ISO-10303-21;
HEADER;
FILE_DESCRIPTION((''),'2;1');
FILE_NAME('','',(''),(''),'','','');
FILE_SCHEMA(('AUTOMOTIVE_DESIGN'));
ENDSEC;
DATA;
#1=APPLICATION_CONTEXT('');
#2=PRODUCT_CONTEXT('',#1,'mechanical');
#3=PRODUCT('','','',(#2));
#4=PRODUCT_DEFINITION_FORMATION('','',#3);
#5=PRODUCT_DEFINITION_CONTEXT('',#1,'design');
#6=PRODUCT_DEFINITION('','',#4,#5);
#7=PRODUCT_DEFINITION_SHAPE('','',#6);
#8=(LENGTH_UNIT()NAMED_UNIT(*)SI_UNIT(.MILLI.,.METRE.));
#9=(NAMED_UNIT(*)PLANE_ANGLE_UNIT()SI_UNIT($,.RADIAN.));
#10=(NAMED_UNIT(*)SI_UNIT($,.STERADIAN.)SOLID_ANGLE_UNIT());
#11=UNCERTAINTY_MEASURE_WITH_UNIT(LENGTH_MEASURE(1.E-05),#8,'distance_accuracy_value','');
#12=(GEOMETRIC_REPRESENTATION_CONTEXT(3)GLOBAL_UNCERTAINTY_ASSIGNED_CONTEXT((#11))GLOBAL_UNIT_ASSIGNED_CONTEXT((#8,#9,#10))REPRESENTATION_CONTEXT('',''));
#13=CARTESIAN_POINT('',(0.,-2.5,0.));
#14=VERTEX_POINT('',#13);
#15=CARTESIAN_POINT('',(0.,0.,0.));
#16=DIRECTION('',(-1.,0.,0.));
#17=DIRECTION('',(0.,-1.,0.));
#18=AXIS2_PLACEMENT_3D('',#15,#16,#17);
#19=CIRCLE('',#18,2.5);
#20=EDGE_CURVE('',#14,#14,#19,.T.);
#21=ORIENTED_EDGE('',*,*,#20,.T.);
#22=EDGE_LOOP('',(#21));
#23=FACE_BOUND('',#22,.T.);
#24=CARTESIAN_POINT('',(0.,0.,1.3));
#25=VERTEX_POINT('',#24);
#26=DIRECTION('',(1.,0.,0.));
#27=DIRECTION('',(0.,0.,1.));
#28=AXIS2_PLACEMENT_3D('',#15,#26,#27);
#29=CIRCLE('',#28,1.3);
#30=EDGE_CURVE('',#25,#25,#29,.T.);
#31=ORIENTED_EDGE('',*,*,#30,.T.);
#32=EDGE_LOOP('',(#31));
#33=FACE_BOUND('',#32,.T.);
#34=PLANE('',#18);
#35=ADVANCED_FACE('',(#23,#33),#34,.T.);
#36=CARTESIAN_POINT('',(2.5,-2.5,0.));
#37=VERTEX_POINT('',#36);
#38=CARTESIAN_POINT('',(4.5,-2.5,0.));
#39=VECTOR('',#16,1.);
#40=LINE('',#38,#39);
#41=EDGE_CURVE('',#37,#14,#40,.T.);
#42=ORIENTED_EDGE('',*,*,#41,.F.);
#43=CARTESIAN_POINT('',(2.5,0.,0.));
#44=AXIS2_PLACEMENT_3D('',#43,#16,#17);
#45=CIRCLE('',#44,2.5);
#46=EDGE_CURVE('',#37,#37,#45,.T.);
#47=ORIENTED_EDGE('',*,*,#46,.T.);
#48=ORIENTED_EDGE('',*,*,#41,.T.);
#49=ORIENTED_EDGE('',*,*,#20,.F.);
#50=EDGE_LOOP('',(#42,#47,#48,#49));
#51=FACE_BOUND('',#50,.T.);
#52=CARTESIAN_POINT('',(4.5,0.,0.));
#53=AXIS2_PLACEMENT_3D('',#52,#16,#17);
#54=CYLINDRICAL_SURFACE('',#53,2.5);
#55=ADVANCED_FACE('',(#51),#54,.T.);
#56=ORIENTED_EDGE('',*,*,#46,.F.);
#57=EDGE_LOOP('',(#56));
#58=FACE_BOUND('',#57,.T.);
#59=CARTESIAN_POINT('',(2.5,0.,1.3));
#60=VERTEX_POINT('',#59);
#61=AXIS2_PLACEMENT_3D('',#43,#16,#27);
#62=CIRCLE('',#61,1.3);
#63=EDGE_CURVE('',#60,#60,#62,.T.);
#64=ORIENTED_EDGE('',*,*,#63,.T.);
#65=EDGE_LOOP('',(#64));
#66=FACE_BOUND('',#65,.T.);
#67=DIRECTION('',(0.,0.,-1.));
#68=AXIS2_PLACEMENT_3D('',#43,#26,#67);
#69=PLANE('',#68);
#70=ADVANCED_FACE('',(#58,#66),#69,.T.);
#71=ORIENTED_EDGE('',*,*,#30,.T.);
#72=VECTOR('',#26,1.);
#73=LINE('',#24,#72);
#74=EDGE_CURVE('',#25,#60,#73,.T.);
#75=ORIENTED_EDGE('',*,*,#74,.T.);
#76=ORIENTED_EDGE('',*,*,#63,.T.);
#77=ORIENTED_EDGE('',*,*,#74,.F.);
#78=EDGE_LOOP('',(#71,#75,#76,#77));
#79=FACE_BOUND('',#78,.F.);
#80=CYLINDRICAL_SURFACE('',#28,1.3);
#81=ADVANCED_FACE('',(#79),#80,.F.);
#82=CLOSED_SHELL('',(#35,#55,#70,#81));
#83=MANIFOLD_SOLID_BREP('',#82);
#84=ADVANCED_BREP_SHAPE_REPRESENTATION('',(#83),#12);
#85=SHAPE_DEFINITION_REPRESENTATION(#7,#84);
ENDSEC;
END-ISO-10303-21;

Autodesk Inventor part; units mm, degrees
ref_plane "YZ Plane" through (0, 0, 0) normal (1, 0, 0) x (0, 1, 0)
ref_plane "XZ Plane" through (0, 0, 0) normal (0, 1, 0) x (-1, 0, 0)
ref_plane "XY Plane" through (0, 0, 0) normal (0, 0, 1) x (1, 0, 0)
sketch "Sketch_1" plane through (0, 0, 0) normal (0, 0, 1) x (1, 0, 0)
  line L0 (0, 0) -> (4.5, 0)
  line L1 (4.5, 0) -> (4.5, -2.5)
  line L2 (4.5, -2.5) -> (0, -2.5)
  line L3 (0, -2.5) -> (0, 0)
  line L4 (0, 0) -> (4.5, 0)
revolve "Revolution1" add sketch "Sketch_1" angle 360 about axis through (0, 0, 0) along (-1, 0, 0)
sketch "Sketch2" plane through (0, 0, 0) normal (-1, 0, 0) x (0, 0, 1)
  point P0 (0, 0)
hole "Hole1" at (0, 0, 0) direction (1, 0, 0) diameter 2.6 depth 4.5
sketch "スケッチ3" plane through (4.5, 0, 0) normal (1, 0, 0) x (0, 0, -1)
  circle A0 centre (0, 0) radius 1.3
  circle A1 centre (0, 0) radius 2.5
extrude "押し出し1" cut sketch "スケッチ3" against normal blind 2
properties part number "FWSJJ-D5-V2_6-T2_5"
